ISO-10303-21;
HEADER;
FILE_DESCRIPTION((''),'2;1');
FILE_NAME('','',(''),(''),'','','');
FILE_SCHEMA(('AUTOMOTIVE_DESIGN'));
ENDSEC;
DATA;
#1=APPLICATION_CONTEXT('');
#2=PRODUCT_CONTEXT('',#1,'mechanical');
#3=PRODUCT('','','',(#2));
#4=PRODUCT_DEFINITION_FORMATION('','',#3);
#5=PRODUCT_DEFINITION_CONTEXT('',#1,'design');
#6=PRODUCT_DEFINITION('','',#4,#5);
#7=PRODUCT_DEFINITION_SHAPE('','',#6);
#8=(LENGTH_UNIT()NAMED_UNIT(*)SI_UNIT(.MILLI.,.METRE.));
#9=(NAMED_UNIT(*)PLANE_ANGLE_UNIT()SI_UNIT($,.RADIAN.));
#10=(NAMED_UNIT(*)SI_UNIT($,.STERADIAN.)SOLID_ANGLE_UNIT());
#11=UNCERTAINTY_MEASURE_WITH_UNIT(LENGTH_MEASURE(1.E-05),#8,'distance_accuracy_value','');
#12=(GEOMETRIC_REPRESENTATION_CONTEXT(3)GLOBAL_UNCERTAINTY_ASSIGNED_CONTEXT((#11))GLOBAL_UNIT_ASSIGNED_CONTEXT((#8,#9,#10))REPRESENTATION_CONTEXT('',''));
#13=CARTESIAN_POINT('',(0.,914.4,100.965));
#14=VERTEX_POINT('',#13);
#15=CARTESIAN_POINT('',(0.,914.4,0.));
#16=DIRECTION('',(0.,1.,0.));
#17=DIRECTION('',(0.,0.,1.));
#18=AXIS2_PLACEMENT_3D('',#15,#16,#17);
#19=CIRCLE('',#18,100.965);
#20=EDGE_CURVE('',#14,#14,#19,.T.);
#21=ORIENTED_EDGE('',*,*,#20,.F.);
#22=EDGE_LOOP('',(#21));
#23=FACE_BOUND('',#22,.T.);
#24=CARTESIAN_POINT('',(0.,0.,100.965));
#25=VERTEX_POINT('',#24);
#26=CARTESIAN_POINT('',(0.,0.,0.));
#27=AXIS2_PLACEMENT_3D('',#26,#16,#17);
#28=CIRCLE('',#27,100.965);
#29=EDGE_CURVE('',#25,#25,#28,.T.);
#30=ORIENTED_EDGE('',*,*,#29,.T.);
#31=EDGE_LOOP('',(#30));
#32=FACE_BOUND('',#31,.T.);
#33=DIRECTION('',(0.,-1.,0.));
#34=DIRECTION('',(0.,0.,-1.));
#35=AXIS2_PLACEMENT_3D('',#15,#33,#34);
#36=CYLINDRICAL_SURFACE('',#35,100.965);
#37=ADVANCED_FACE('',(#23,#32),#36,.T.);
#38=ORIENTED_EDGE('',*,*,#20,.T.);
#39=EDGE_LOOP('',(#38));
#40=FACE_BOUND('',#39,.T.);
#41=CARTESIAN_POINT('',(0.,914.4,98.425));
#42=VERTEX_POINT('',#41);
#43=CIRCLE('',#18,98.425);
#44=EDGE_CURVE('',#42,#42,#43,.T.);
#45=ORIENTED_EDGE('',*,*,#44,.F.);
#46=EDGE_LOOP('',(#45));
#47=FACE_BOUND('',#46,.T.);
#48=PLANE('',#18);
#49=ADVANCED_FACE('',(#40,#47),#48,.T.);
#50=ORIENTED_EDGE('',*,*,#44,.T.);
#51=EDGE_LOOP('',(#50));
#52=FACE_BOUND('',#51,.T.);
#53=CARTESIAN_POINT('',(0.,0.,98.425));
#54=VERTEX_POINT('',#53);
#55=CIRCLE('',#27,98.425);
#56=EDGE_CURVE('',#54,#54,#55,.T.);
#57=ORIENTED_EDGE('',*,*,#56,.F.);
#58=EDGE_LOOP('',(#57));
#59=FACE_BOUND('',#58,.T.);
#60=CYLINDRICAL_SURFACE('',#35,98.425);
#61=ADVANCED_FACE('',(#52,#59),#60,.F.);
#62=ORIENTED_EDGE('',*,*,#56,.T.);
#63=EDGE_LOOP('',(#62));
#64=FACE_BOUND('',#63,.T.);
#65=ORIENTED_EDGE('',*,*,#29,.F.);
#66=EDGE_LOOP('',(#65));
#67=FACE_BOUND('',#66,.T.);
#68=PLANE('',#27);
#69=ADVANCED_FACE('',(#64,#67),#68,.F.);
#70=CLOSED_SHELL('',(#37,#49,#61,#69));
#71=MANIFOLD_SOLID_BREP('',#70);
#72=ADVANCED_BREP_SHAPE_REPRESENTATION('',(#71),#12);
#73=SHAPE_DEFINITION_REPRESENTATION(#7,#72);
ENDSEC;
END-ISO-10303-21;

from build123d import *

# Parameters (mm, degrees)
SKETCH1_R           = 100.965
SKETCH1_R_2         = 98.425
BOSS_EXTRUDE1_DEPTH = 914.4


with BuildPart() as part:
    # Sketch1 → Boss-Extrude1 (new body)
    with BuildSketch(Plane(origin=(0, 0, 0), x_dir=(1, 0, 0), z_dir=(0, 1, 0))):
        Circle(SKETCH1_R)
        Circle(SKETCH1_R_2, mode=Mode.SUBTRACT)
    extrude(amount=BOSS_EXTRUDE1_DEPTH)


solid = part.part
